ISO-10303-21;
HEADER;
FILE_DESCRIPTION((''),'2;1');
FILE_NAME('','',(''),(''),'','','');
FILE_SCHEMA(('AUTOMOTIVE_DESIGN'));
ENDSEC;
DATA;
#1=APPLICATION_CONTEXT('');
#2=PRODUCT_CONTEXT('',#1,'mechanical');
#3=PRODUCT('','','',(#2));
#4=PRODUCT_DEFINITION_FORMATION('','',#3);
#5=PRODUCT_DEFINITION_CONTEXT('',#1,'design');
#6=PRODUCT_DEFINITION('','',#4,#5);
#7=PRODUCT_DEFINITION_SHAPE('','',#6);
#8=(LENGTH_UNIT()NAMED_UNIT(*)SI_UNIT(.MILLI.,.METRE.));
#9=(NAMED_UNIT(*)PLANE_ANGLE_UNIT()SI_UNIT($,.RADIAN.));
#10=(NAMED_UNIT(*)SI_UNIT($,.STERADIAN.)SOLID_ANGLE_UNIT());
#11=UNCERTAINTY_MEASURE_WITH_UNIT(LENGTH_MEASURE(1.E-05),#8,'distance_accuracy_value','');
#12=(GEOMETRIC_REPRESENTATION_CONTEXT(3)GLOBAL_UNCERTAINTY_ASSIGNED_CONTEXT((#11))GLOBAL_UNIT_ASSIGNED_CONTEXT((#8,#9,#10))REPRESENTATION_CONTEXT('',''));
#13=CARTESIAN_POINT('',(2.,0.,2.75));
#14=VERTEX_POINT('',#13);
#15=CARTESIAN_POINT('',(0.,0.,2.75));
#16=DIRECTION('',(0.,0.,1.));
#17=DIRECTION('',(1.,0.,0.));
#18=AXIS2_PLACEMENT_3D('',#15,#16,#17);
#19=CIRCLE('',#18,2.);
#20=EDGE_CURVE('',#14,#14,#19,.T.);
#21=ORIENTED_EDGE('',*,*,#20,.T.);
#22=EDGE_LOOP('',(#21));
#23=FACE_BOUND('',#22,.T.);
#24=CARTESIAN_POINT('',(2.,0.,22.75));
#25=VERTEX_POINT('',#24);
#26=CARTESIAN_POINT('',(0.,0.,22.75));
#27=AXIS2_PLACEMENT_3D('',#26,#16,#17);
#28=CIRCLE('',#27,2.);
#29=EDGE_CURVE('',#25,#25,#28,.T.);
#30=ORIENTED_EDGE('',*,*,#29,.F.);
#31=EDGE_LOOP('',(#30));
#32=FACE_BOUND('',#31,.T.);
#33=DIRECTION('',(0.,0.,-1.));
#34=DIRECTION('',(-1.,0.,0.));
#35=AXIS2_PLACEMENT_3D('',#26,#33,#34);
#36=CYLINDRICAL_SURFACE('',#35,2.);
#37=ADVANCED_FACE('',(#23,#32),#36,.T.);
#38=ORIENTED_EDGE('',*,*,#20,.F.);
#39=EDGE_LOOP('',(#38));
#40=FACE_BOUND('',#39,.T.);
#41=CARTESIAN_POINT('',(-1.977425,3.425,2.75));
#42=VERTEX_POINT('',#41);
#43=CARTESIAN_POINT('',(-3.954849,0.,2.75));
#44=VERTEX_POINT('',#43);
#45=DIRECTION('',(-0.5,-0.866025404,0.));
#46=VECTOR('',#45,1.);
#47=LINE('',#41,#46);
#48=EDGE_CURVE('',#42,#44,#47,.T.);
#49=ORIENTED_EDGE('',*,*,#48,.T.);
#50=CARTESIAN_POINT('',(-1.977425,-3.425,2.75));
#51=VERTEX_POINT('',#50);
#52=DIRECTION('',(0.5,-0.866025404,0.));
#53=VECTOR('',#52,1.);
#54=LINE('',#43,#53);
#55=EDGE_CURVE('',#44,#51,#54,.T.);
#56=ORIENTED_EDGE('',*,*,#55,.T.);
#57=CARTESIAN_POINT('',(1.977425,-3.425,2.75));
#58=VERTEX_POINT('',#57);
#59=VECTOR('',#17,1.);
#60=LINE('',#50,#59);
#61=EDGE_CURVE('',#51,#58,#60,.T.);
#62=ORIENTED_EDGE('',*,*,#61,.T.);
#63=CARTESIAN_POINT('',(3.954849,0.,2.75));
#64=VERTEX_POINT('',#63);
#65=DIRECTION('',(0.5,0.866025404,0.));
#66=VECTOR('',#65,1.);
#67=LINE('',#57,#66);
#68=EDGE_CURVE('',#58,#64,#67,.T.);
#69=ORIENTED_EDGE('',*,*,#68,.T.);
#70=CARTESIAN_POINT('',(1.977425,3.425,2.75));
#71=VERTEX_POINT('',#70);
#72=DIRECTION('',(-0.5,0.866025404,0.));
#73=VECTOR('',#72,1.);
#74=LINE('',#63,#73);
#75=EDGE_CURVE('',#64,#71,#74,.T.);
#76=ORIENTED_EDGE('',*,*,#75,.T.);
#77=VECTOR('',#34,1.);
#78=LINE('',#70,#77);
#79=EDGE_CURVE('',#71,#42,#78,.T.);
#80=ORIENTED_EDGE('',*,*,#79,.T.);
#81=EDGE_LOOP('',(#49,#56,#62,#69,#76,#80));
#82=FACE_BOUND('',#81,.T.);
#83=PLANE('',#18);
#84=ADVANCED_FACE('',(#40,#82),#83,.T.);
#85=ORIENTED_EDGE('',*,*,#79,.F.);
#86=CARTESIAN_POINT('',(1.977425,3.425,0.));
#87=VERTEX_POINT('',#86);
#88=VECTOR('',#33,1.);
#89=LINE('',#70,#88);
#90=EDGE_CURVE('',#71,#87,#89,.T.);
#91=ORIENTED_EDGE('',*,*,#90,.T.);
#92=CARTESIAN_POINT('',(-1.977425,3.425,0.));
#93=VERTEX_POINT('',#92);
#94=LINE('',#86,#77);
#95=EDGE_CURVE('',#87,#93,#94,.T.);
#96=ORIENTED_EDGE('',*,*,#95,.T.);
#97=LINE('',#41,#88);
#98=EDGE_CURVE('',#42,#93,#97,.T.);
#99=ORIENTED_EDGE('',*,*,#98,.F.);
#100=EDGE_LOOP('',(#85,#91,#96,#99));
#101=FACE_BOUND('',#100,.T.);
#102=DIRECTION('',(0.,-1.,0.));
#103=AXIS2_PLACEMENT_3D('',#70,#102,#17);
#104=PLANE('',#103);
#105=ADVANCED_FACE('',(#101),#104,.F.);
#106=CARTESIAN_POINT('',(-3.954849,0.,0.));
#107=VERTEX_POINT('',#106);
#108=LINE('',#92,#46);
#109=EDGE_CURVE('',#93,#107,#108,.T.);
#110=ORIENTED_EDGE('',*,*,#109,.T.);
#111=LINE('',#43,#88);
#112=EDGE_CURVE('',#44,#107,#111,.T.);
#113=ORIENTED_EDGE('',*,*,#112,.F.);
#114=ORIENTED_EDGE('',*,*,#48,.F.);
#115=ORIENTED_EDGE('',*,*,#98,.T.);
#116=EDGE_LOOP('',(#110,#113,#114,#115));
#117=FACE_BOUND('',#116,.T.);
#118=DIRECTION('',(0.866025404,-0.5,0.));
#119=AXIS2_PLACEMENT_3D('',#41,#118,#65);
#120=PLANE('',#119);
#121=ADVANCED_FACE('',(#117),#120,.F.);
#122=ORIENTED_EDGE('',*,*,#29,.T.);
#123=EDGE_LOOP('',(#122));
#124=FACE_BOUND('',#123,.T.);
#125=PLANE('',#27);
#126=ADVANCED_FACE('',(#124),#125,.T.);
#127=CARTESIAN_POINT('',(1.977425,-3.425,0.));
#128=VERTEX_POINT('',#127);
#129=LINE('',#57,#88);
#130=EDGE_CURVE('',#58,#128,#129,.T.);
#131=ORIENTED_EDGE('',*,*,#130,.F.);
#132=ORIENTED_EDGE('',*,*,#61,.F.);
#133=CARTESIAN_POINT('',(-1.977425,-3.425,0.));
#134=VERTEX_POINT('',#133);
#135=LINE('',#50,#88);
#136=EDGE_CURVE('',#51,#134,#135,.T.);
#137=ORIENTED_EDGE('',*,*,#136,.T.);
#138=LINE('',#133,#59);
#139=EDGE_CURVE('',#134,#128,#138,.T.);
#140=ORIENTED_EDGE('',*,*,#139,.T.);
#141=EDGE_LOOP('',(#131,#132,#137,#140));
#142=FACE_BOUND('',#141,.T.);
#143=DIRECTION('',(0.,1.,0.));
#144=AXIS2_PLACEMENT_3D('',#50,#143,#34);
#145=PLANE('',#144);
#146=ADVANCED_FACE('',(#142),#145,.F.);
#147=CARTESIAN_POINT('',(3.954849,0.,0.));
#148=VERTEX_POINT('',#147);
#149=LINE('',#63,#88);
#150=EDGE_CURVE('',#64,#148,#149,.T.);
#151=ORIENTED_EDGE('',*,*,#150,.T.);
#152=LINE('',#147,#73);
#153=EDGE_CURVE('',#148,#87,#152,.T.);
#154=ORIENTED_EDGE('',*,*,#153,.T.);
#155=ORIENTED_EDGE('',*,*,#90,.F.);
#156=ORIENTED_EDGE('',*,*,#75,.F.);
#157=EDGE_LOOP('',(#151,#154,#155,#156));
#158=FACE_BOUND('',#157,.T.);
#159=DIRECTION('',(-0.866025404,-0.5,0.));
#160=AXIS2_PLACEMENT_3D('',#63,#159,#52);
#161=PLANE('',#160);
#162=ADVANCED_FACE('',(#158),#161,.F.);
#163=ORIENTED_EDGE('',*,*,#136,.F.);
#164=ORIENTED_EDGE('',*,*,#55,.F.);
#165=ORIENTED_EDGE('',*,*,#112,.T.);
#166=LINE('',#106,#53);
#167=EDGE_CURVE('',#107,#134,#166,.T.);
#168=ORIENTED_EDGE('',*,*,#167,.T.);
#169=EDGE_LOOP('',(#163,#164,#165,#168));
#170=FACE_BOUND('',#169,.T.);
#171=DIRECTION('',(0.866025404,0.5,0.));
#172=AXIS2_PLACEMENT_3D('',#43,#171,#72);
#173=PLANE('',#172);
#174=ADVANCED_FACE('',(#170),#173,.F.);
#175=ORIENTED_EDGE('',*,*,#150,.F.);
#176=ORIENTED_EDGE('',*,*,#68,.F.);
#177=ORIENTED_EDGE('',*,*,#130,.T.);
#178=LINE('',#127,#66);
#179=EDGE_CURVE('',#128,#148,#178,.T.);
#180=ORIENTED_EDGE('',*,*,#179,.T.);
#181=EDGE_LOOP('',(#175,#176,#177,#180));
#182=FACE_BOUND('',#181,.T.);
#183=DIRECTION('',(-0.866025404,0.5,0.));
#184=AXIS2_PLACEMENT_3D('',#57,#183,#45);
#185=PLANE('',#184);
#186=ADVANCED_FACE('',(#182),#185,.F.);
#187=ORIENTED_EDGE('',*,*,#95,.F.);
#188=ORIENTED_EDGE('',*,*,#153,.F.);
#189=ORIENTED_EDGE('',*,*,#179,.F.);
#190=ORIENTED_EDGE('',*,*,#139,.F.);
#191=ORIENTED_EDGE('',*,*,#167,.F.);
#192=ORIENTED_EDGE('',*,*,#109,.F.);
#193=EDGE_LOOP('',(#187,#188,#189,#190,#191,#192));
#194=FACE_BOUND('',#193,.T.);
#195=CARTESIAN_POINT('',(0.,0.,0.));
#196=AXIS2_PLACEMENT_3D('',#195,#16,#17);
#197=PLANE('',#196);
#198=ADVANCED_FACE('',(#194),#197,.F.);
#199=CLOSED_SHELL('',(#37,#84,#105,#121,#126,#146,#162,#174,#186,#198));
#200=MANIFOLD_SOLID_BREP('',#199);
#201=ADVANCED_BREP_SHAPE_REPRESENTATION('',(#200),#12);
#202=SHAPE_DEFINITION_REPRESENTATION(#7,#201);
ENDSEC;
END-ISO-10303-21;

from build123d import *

# Parameters (mm, degrees)
EXTRUDE_1_DEPTH = 2.75
SKETCH_2_R      = 2
EXTRUDE_2_DEPTH = 20


with BuildPart() as part:
    # ｽｹｯﾁ1 → ﾎﾞｽ - 押し出し1 (new body)
    with BuildSketch(Plane.XY):
        Polygon((3.954849344, 0), (1.977424672, 3.425), (-1.977424672, 3.425), (-3.954849344, 0), (-1.977424672, -3.425), (1.977424672, -3.425), align=None)
    extrude(amount=EXTRUDE_1_DEPTH)

    # ｽｹｯﾁ2 → ﾎﾞｽ - 押し出し2 (add)
    with BuildSketch(Plane.XY.offset(2.75)):
        Circle(SKETCH_2_R)
    extrude(amount=EXTRUDE_2_DEPTH)


solid = part.part
